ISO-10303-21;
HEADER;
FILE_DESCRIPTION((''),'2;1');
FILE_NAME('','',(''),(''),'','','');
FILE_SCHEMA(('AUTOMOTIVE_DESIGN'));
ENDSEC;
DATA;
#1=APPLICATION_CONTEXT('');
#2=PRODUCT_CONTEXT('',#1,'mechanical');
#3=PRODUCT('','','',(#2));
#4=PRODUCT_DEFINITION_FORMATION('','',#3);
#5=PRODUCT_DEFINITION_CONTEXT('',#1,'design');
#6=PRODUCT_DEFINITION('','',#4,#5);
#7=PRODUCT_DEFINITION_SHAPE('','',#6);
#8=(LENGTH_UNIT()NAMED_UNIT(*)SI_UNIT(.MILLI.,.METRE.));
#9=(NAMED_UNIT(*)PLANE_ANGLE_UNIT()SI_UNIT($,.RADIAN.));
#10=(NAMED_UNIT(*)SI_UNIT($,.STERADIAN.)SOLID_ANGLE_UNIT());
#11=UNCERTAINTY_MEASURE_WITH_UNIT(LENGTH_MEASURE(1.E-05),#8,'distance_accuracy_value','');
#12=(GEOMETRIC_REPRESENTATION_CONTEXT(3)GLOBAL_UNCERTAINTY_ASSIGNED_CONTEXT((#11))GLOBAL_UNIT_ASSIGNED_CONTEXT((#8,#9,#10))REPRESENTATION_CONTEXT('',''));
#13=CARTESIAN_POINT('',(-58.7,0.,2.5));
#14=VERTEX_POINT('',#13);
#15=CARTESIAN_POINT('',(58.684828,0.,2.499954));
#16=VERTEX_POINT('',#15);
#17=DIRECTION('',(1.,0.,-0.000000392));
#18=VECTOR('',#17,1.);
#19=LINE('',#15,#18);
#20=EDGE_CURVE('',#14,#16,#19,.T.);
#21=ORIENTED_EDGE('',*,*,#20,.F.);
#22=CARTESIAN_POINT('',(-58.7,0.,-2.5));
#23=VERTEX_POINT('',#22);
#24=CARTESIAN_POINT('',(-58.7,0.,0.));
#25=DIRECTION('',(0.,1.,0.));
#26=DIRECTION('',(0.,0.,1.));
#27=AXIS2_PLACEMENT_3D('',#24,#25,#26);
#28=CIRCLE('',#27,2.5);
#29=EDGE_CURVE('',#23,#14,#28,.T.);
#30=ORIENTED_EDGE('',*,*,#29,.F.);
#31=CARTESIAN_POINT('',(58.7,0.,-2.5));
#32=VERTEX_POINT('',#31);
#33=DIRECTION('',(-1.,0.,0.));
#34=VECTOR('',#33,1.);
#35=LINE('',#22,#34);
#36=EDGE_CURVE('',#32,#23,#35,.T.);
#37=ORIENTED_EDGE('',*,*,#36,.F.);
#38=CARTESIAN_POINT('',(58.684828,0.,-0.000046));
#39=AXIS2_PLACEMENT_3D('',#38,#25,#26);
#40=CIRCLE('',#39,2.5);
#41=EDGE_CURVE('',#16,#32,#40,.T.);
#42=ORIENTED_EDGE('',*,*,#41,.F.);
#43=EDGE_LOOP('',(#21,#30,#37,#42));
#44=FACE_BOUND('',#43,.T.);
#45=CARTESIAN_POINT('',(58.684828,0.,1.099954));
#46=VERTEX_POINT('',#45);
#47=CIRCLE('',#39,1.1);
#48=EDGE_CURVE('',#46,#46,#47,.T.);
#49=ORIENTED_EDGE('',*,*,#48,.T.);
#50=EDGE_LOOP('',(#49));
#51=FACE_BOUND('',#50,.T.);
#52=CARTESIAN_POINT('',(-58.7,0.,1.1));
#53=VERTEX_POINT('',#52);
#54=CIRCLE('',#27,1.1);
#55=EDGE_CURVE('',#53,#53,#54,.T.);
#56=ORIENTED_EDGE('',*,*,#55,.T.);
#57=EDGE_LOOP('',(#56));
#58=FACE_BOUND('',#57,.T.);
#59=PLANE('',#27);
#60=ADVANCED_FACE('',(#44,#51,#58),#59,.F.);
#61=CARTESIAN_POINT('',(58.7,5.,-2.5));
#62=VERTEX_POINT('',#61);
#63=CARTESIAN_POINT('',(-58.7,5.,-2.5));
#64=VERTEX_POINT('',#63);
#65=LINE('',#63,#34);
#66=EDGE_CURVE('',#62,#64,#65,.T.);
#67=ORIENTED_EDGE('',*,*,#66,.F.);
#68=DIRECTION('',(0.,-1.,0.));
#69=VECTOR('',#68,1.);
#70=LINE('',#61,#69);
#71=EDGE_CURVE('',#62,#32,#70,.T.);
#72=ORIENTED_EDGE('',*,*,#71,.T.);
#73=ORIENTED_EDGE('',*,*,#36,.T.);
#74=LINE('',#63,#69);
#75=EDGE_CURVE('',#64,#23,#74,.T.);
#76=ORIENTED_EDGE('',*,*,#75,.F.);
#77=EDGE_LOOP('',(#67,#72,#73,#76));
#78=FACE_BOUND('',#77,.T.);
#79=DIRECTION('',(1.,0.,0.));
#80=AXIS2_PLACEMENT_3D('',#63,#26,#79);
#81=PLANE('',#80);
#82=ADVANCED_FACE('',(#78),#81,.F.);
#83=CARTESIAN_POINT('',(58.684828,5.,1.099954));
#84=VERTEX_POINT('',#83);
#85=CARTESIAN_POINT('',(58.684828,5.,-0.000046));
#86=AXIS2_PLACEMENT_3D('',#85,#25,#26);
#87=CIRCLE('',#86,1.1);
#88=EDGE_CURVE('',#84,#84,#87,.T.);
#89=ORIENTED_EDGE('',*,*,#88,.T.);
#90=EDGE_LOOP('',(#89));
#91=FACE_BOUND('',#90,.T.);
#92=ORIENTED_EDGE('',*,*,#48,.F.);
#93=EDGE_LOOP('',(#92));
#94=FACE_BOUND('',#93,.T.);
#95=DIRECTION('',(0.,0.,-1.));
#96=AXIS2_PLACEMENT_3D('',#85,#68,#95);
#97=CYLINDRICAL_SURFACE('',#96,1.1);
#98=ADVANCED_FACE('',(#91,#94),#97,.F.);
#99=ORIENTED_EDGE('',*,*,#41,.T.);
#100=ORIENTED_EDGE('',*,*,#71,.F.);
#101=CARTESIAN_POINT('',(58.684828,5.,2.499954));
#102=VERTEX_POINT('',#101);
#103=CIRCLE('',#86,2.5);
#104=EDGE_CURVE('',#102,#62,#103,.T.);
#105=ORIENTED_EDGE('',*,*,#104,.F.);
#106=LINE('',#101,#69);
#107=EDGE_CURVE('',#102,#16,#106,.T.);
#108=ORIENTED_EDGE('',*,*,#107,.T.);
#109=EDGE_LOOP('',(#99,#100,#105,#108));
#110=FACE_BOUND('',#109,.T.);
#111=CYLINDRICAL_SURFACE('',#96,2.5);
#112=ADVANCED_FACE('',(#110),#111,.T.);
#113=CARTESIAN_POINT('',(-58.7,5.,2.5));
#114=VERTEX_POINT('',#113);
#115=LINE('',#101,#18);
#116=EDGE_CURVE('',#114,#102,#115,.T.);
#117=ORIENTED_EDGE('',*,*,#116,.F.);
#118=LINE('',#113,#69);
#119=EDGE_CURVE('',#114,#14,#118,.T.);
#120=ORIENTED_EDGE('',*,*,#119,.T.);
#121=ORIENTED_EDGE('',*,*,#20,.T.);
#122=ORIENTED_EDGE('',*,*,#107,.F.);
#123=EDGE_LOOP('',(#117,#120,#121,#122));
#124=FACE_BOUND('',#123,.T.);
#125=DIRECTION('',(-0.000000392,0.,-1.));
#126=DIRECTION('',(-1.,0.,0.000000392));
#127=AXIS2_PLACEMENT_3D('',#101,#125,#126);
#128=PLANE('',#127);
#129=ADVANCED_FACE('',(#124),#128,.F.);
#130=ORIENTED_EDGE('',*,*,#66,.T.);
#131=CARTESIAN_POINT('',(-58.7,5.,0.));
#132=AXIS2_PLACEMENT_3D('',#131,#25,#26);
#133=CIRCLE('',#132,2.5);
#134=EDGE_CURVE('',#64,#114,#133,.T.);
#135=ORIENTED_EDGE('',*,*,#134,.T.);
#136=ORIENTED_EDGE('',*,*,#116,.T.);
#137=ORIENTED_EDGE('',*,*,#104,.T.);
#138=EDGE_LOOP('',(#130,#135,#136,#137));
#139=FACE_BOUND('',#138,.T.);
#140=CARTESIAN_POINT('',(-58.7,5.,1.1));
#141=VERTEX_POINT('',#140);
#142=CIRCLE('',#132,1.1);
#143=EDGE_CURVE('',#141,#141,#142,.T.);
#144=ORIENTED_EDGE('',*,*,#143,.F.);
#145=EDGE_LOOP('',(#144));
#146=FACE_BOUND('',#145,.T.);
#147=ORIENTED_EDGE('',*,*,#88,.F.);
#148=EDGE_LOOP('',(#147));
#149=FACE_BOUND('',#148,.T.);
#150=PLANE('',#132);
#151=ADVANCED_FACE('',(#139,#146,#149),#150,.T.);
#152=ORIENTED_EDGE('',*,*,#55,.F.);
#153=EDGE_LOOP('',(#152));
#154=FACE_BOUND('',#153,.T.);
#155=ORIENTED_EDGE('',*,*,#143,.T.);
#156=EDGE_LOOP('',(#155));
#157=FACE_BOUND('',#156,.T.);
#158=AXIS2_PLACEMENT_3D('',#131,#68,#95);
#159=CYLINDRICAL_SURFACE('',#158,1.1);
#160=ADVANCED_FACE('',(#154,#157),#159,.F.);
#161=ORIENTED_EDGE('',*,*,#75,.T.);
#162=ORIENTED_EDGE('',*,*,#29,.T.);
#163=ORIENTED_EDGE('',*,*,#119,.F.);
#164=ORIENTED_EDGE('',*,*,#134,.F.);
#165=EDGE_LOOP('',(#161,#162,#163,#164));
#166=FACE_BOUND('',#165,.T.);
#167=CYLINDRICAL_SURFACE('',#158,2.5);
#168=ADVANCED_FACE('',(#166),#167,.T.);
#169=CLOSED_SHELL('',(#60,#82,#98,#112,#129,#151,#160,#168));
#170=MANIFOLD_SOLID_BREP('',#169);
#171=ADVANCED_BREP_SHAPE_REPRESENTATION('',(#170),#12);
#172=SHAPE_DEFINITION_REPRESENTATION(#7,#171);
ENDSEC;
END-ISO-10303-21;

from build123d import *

# Parameters (mm, degrees)
SKETCH1_R           = 1.1
BOSS_EXTRUDE1_DEPTH = 5


with BuildPart() as part:
    # Sketch1 → Boss-Extrude1 (new body)
    with BuildSketch(Plane(origin=(0, 0, 0), x_dir=(1, 0, 0), z_dir=(0, 1, 0))):
        with BuildLine():
            Line((-58.7, 2.5), (58.7, 2.5))
            ThreePointArc((58.7, 2.5), (61.184816911, -0.007539789), (58.68482842, -2.499953964))
            Line((58.68482842, -2.499953964), (-58.7, -2.5))
            ThreePointArc((-58.7, -2.5), (-61.2, 0), (-58.7, 2.5))
        make_face()
        with Locations((-58.7, 0)):
            Circle(SKETCH1_R, mode=Mode.SUBTRACT)
        with Locations((58.68482842, 4.6036e-05)):
            Circle(SKETCH1_R, mode=Mode.SUBTRACT)
    extrude(amount=BOSS_EXTRUDE1_DEPTH)


solid = part.part
